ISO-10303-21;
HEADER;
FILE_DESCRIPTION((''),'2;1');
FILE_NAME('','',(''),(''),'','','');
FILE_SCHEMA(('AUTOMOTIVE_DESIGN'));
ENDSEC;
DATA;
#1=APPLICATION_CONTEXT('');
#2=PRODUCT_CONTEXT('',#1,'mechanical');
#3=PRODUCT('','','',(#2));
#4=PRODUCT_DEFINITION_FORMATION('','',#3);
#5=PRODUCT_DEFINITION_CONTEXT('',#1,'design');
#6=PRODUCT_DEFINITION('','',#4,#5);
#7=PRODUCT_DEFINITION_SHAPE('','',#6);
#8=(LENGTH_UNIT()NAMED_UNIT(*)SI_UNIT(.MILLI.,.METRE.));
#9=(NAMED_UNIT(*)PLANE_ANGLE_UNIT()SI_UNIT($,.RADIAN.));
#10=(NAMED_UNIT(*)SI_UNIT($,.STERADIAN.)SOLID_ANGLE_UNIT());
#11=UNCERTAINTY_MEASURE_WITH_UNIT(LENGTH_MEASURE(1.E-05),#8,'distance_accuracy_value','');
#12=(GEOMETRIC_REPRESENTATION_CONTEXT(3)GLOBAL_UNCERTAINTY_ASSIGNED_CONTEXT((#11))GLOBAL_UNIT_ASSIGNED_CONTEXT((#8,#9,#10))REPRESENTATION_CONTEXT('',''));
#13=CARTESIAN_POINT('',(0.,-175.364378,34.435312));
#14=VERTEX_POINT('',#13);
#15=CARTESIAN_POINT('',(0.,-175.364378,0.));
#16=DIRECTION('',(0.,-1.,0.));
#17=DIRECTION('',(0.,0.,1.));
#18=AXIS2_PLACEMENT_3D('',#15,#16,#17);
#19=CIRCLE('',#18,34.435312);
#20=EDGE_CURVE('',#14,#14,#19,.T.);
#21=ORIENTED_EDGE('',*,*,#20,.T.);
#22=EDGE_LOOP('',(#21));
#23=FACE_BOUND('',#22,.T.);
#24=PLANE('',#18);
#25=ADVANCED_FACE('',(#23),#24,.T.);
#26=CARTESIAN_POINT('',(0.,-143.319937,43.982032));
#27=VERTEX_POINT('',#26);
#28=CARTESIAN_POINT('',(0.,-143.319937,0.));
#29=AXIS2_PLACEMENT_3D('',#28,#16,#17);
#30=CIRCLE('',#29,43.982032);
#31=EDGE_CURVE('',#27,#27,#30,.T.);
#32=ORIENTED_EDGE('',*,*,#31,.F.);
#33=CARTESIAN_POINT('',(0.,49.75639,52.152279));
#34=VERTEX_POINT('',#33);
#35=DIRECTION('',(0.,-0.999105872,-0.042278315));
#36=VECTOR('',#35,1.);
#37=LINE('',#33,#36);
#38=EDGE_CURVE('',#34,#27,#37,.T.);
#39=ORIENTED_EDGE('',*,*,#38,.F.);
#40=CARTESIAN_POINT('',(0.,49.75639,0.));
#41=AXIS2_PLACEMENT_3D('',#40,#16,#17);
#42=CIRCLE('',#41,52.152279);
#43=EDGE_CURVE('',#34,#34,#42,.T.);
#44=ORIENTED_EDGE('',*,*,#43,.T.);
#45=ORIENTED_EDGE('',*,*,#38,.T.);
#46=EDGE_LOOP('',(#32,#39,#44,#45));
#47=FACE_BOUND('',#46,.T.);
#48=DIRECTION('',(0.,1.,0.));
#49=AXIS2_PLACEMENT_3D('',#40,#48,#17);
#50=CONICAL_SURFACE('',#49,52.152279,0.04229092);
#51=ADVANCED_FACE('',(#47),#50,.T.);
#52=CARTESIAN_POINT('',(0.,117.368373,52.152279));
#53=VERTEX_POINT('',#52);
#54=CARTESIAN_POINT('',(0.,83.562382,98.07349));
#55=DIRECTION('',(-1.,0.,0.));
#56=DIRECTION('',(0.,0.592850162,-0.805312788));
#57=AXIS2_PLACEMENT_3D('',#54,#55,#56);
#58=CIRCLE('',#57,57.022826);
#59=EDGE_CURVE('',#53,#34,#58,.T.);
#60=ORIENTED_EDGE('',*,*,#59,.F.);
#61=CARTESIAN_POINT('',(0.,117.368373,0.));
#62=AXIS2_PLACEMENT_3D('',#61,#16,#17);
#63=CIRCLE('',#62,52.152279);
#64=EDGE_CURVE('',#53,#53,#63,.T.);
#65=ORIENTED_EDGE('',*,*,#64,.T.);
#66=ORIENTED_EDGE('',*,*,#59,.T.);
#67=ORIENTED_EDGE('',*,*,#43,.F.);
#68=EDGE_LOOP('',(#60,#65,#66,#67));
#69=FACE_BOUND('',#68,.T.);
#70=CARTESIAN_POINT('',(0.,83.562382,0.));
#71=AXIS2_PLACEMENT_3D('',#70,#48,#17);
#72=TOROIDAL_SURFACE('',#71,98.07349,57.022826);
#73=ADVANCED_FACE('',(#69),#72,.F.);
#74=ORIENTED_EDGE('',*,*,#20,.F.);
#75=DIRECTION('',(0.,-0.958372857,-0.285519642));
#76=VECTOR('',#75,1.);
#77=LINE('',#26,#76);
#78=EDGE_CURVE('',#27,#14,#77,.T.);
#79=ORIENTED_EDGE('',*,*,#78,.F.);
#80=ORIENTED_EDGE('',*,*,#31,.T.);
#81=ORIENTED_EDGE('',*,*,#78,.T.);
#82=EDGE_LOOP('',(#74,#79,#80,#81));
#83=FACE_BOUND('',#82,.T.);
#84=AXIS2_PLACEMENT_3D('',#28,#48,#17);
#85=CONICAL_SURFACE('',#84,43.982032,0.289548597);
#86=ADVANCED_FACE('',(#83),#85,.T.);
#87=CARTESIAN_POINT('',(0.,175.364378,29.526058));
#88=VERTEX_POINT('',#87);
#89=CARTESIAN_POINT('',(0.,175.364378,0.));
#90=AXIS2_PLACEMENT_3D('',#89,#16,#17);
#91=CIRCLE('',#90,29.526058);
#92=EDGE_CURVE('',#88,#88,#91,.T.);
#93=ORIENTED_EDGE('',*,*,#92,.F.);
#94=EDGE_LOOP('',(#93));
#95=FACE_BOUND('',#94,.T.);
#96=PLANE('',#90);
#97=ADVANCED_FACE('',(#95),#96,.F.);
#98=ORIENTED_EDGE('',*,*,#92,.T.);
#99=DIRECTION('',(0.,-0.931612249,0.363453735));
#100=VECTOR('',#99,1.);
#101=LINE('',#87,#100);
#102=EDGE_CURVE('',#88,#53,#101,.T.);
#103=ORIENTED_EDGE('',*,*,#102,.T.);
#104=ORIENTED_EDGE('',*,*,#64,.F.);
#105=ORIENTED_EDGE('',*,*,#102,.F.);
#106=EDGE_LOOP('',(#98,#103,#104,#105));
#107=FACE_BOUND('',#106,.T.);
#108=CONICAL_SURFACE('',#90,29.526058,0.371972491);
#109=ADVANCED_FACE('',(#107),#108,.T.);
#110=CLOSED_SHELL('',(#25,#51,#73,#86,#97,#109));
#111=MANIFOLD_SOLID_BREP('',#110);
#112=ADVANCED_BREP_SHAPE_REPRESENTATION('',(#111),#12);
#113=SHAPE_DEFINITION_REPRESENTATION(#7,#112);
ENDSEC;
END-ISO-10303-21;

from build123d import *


with BuildPart() as f1:
    # F0 (on Right) → F1 (revolve)
    with BuildSketch(Plane.YZ):
        with BuildLine():
            Line((-175.364378, 0), (175.364378, 0))
            Line((175.364378, 0), (175.364378, 29.526058))
            Line((175.364378, 29.526058), (117.368373, 52.152279))
            ThreePointArc((117.368373, 52.152279), (83.562382, 41.050664), (49.75639, 52.152279))
            Line((49.75639, 52.152279), (-143.319937, 43.982032))
            Line((-143.319937, 43.982032), (-175.364378, 34.435312))
            Line((-175.364378, 34.435312), (-175.364378, 0))
        make_face()
    revolve(axis=Axis((0, 0, 0), (0, -1, 0)))


solid = f1.part
